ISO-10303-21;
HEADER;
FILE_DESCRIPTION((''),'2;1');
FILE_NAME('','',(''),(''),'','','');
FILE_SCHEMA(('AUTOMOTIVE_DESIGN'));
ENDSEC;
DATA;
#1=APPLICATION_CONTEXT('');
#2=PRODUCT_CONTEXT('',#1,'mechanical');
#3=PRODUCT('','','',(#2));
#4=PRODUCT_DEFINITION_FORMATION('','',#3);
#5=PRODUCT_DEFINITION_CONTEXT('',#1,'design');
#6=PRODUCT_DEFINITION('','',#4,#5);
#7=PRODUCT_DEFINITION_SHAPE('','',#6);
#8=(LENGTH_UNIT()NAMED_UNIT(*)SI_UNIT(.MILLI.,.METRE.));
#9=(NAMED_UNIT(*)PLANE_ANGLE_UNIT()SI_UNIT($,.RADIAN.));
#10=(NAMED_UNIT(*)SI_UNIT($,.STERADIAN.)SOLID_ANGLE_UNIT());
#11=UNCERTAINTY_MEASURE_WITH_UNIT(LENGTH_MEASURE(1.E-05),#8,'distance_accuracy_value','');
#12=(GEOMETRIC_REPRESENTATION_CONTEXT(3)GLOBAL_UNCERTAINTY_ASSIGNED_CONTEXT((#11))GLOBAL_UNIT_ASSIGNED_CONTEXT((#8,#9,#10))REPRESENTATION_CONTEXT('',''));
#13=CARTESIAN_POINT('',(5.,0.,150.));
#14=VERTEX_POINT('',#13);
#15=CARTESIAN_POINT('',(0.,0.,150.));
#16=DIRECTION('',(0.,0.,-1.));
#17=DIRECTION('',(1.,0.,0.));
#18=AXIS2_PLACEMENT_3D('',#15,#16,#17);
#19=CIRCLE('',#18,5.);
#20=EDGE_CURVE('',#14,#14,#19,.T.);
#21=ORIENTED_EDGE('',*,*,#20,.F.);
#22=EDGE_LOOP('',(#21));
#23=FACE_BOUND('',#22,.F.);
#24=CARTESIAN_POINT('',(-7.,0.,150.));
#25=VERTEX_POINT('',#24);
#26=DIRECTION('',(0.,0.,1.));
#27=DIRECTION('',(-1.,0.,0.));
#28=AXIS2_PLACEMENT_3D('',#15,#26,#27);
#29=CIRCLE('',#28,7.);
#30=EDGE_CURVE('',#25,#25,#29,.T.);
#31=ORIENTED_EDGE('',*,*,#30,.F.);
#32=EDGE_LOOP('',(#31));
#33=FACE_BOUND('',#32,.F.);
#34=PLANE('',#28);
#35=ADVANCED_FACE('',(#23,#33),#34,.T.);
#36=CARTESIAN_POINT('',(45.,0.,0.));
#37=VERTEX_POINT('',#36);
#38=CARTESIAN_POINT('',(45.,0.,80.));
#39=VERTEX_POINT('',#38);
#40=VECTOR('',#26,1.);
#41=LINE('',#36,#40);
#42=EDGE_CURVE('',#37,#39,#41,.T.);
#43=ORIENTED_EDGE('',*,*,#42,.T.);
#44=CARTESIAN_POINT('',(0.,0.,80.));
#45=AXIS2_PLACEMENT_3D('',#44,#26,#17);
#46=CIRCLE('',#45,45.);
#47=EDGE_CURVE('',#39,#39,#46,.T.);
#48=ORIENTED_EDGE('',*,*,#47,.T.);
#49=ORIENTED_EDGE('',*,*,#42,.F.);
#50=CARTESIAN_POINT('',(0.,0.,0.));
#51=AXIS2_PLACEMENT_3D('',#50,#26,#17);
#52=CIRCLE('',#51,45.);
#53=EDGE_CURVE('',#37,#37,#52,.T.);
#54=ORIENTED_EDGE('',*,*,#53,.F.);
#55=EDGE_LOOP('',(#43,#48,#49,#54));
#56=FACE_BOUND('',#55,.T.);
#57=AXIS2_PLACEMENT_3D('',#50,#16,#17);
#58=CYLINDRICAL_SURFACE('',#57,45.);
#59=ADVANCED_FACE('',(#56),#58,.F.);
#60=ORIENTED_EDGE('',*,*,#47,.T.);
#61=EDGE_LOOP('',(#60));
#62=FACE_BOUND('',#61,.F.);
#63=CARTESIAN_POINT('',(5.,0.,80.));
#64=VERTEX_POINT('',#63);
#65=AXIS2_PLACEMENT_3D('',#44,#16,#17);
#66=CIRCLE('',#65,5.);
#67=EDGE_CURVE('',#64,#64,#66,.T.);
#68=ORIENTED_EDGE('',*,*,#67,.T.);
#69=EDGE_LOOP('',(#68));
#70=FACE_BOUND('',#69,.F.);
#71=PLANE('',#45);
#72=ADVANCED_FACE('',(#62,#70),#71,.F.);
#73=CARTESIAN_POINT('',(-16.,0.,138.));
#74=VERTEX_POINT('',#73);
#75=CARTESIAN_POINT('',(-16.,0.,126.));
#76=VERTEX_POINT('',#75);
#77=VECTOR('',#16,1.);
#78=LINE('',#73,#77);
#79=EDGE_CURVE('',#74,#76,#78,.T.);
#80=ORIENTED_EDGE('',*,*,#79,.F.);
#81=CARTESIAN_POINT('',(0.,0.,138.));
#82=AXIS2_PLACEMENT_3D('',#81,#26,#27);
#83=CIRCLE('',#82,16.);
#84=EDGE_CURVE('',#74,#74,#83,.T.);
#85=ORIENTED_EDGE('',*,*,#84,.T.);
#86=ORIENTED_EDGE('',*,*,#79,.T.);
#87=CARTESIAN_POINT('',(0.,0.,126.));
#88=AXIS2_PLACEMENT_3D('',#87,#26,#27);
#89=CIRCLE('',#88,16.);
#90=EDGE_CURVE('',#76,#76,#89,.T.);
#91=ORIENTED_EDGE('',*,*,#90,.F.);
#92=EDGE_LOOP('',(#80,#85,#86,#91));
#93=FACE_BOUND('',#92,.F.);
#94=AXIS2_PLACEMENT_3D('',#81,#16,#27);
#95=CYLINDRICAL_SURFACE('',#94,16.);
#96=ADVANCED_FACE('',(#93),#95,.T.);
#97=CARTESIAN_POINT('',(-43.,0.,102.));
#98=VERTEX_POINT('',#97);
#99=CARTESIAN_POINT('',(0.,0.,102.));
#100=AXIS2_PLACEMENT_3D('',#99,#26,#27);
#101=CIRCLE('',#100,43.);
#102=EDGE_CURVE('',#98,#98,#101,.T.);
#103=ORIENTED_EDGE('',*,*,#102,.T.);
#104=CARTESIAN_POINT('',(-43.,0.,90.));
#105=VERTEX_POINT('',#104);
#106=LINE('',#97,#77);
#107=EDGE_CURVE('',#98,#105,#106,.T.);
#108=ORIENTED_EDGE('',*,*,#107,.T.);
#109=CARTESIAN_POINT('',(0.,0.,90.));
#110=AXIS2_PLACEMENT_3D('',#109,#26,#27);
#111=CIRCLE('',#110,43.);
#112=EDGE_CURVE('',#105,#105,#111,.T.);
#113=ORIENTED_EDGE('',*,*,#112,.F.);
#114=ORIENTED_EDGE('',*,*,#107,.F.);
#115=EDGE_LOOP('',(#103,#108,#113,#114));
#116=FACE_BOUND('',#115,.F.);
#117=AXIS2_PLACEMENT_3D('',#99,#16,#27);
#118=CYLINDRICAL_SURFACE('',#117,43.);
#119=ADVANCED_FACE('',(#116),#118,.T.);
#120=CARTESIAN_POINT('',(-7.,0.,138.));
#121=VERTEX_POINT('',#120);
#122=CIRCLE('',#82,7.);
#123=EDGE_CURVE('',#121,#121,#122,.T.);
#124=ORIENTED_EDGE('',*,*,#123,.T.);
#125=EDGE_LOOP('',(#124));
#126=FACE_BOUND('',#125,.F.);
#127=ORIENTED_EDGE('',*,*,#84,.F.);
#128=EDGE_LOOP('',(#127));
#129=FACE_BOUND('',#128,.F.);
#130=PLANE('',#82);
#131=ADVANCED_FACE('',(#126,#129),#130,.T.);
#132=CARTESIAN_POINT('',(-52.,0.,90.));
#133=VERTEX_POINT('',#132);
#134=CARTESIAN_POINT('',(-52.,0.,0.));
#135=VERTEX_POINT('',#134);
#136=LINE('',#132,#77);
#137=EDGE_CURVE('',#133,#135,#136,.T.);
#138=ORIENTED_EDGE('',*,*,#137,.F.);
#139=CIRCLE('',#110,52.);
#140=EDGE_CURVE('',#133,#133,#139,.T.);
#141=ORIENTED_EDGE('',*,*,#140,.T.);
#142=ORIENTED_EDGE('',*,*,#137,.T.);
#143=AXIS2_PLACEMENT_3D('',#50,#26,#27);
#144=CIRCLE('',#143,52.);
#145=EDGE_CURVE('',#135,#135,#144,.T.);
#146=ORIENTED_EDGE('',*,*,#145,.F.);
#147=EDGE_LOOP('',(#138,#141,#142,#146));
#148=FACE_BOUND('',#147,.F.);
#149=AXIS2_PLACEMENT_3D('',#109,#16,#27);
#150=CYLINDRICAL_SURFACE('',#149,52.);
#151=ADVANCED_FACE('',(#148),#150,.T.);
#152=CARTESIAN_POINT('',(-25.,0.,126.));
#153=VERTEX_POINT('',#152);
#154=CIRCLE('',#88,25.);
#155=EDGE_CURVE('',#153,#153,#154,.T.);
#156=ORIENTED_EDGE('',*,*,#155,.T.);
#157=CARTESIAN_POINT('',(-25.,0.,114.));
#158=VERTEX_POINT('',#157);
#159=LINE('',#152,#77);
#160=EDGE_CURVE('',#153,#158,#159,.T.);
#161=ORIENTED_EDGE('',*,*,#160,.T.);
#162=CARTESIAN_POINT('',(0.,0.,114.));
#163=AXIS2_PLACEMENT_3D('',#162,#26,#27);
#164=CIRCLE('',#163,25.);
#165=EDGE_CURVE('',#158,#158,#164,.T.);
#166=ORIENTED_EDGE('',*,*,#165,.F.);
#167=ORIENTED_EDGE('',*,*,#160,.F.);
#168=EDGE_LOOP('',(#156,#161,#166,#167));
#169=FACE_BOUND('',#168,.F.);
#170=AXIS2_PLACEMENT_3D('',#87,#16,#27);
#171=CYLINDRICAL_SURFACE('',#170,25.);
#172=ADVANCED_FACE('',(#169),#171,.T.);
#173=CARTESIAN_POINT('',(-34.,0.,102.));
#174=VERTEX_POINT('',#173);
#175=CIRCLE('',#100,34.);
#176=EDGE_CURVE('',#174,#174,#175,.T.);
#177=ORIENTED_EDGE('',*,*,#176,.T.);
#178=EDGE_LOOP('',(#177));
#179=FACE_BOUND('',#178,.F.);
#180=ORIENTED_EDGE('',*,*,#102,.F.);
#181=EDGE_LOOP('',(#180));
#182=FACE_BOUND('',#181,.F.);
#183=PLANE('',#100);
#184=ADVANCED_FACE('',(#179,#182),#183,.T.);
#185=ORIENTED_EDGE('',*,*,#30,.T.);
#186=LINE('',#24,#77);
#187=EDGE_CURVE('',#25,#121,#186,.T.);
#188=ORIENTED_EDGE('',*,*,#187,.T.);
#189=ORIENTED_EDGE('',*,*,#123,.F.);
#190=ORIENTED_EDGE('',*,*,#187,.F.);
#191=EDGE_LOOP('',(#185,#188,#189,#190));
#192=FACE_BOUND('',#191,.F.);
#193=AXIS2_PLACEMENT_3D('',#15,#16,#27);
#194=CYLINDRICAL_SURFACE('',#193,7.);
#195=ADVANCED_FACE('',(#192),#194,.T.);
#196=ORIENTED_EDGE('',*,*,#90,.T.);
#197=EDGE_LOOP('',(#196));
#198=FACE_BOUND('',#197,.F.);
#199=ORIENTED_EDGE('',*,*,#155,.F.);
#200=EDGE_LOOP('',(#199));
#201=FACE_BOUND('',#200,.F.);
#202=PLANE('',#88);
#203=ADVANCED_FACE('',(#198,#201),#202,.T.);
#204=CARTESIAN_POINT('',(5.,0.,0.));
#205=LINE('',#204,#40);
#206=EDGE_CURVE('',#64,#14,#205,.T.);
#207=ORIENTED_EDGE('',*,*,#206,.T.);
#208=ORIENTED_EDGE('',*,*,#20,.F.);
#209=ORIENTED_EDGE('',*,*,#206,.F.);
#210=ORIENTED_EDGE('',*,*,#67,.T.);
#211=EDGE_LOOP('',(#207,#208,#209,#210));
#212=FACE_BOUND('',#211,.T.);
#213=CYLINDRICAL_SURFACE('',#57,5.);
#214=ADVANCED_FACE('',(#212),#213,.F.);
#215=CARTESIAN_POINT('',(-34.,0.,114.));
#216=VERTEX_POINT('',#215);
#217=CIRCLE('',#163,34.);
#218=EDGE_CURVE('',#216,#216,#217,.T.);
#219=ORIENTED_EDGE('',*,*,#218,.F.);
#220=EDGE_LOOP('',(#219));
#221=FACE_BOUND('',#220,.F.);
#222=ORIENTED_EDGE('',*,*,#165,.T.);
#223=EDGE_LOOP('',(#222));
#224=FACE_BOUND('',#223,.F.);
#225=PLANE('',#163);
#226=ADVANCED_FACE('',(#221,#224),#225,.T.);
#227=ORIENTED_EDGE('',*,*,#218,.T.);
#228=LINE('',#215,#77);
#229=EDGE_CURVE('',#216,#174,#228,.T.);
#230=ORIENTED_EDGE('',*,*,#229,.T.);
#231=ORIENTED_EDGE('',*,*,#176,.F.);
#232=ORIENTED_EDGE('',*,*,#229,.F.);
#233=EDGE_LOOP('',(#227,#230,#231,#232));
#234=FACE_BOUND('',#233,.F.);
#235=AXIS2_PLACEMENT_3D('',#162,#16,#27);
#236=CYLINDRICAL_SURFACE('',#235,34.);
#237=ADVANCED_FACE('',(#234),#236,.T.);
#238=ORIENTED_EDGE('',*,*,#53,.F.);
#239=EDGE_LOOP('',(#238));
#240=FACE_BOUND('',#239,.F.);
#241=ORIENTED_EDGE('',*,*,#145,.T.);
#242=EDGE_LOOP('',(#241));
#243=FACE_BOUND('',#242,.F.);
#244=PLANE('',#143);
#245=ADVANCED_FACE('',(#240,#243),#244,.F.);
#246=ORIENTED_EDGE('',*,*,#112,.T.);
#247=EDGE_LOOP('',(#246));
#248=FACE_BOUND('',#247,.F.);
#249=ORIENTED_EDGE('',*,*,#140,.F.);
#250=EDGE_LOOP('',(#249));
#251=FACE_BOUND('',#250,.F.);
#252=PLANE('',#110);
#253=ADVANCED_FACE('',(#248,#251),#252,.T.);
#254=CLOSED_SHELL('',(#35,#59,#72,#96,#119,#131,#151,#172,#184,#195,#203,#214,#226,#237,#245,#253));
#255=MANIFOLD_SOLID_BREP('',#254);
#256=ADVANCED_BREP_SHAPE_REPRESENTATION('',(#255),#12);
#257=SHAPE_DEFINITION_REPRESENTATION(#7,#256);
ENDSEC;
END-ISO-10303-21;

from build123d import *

# Parameters (mm, degrees)
F2_R     = 45
F3_DEPTH = 80
F4_R     = 5
F5_DEPTH = 150.001


with BuildPart() as f1:
    # F0 (on Front) → F1 (revolve)
    with BuildSketch(Plane.XZ):
        Polygon((-52, 0), (0, 0), (0, 150), (-2, 150), (-7, 150), (-7, 138), (-16, 138), (-16, 126), (-25, 126), (-25, 114), (-34, 114), (-34, 102), (-43, 102), (-43, 90), (-52, 90), align=None)
    revolve(axis=Axis((0, 0, 75), (0, 0, 1)))

    # F2 (on Top) → F3 (cut)
    with BuildSketch(Plane.XY):
        Circle(F2_R)
    extrude(amount=F3_DEPTH, mode=Mode.SUBTRACT)

    # F4 (on Top) → F5 (cut, through all)
    with BuildSketch(Plane.XY):
        Circle(F4_R)
    extrude(amount=F5_DEPTH, mode=Mode.SUBTRACT)


solid = f1.part
